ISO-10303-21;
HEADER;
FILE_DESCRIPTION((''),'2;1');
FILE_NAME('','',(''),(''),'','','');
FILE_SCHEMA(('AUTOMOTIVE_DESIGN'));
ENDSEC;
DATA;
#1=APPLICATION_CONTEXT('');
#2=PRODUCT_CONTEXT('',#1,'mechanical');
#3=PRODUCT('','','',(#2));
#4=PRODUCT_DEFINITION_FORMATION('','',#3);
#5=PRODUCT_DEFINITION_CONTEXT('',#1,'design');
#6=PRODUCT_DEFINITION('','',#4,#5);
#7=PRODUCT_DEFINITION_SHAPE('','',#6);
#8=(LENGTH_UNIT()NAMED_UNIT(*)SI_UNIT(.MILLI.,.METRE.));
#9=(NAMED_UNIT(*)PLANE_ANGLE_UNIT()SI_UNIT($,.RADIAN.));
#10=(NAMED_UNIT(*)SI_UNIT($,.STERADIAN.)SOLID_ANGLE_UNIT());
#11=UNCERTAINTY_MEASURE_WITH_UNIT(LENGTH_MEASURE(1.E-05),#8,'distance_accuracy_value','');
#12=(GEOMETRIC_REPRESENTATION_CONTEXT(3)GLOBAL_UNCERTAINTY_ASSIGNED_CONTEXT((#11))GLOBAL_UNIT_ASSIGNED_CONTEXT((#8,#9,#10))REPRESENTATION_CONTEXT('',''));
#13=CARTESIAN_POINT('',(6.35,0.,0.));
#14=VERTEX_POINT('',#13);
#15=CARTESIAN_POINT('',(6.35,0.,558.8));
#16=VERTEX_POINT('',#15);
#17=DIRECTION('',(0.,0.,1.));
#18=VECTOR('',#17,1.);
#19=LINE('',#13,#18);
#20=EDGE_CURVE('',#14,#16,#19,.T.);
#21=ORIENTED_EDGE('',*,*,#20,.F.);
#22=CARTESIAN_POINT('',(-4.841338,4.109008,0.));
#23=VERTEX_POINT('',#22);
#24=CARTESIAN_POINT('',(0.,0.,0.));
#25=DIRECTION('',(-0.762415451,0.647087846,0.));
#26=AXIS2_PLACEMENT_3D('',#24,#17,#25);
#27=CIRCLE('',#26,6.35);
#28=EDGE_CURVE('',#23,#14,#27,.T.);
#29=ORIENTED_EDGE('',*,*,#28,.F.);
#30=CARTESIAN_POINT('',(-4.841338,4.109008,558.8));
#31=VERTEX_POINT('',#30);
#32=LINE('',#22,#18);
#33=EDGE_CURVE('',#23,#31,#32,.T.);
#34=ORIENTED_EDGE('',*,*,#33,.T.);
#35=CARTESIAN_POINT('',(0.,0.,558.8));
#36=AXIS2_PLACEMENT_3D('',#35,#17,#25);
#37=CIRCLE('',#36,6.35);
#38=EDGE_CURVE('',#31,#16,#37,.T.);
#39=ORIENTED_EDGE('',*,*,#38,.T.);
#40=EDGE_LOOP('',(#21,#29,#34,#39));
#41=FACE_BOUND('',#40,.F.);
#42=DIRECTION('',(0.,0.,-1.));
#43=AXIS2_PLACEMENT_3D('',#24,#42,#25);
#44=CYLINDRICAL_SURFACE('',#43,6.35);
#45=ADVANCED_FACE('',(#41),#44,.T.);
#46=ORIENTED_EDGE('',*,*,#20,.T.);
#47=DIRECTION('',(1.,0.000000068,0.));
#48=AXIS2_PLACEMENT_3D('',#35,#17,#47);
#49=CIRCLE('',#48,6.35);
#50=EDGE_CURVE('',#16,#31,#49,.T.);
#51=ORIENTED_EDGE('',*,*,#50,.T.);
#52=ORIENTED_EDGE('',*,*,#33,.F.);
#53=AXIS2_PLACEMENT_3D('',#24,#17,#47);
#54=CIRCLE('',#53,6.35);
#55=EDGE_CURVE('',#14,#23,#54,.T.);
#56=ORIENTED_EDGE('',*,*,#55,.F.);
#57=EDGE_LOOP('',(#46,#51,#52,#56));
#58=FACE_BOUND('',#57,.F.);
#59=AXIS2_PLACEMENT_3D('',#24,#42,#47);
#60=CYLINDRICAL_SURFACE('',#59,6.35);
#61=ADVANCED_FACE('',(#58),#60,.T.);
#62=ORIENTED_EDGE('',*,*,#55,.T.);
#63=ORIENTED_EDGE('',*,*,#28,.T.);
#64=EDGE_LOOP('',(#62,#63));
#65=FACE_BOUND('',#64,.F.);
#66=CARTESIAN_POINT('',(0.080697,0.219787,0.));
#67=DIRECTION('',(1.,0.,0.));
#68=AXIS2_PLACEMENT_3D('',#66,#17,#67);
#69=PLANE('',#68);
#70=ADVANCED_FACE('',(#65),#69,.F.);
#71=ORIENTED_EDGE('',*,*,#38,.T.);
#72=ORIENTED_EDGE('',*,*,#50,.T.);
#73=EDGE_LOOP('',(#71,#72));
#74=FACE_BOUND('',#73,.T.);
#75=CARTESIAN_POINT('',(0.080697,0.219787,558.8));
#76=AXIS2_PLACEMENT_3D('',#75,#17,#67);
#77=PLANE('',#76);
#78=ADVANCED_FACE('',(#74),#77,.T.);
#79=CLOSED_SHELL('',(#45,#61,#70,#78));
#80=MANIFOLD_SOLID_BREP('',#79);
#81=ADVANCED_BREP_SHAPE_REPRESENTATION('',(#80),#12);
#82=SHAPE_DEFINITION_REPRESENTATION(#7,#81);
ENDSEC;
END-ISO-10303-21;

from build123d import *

# Parameters (mm, degrees)
F1_DEPTH = 558.8


with BuildPart() as f1:
    # F0 (on Top) → F1 (new body)
    with BuildSketch(Plane.XY):
        with BuildLine():
            ThreePointArc((-4.841338, 4.109008), (-2.188607, -5.960914), (6.35, 0))
            ThreePointArc((6.35, 0), (2.188607, 5.960914), (-4.841338, 4.109008))
        make_face()
    extrude(amount=F1_DEPTH)


solid = f1.part
